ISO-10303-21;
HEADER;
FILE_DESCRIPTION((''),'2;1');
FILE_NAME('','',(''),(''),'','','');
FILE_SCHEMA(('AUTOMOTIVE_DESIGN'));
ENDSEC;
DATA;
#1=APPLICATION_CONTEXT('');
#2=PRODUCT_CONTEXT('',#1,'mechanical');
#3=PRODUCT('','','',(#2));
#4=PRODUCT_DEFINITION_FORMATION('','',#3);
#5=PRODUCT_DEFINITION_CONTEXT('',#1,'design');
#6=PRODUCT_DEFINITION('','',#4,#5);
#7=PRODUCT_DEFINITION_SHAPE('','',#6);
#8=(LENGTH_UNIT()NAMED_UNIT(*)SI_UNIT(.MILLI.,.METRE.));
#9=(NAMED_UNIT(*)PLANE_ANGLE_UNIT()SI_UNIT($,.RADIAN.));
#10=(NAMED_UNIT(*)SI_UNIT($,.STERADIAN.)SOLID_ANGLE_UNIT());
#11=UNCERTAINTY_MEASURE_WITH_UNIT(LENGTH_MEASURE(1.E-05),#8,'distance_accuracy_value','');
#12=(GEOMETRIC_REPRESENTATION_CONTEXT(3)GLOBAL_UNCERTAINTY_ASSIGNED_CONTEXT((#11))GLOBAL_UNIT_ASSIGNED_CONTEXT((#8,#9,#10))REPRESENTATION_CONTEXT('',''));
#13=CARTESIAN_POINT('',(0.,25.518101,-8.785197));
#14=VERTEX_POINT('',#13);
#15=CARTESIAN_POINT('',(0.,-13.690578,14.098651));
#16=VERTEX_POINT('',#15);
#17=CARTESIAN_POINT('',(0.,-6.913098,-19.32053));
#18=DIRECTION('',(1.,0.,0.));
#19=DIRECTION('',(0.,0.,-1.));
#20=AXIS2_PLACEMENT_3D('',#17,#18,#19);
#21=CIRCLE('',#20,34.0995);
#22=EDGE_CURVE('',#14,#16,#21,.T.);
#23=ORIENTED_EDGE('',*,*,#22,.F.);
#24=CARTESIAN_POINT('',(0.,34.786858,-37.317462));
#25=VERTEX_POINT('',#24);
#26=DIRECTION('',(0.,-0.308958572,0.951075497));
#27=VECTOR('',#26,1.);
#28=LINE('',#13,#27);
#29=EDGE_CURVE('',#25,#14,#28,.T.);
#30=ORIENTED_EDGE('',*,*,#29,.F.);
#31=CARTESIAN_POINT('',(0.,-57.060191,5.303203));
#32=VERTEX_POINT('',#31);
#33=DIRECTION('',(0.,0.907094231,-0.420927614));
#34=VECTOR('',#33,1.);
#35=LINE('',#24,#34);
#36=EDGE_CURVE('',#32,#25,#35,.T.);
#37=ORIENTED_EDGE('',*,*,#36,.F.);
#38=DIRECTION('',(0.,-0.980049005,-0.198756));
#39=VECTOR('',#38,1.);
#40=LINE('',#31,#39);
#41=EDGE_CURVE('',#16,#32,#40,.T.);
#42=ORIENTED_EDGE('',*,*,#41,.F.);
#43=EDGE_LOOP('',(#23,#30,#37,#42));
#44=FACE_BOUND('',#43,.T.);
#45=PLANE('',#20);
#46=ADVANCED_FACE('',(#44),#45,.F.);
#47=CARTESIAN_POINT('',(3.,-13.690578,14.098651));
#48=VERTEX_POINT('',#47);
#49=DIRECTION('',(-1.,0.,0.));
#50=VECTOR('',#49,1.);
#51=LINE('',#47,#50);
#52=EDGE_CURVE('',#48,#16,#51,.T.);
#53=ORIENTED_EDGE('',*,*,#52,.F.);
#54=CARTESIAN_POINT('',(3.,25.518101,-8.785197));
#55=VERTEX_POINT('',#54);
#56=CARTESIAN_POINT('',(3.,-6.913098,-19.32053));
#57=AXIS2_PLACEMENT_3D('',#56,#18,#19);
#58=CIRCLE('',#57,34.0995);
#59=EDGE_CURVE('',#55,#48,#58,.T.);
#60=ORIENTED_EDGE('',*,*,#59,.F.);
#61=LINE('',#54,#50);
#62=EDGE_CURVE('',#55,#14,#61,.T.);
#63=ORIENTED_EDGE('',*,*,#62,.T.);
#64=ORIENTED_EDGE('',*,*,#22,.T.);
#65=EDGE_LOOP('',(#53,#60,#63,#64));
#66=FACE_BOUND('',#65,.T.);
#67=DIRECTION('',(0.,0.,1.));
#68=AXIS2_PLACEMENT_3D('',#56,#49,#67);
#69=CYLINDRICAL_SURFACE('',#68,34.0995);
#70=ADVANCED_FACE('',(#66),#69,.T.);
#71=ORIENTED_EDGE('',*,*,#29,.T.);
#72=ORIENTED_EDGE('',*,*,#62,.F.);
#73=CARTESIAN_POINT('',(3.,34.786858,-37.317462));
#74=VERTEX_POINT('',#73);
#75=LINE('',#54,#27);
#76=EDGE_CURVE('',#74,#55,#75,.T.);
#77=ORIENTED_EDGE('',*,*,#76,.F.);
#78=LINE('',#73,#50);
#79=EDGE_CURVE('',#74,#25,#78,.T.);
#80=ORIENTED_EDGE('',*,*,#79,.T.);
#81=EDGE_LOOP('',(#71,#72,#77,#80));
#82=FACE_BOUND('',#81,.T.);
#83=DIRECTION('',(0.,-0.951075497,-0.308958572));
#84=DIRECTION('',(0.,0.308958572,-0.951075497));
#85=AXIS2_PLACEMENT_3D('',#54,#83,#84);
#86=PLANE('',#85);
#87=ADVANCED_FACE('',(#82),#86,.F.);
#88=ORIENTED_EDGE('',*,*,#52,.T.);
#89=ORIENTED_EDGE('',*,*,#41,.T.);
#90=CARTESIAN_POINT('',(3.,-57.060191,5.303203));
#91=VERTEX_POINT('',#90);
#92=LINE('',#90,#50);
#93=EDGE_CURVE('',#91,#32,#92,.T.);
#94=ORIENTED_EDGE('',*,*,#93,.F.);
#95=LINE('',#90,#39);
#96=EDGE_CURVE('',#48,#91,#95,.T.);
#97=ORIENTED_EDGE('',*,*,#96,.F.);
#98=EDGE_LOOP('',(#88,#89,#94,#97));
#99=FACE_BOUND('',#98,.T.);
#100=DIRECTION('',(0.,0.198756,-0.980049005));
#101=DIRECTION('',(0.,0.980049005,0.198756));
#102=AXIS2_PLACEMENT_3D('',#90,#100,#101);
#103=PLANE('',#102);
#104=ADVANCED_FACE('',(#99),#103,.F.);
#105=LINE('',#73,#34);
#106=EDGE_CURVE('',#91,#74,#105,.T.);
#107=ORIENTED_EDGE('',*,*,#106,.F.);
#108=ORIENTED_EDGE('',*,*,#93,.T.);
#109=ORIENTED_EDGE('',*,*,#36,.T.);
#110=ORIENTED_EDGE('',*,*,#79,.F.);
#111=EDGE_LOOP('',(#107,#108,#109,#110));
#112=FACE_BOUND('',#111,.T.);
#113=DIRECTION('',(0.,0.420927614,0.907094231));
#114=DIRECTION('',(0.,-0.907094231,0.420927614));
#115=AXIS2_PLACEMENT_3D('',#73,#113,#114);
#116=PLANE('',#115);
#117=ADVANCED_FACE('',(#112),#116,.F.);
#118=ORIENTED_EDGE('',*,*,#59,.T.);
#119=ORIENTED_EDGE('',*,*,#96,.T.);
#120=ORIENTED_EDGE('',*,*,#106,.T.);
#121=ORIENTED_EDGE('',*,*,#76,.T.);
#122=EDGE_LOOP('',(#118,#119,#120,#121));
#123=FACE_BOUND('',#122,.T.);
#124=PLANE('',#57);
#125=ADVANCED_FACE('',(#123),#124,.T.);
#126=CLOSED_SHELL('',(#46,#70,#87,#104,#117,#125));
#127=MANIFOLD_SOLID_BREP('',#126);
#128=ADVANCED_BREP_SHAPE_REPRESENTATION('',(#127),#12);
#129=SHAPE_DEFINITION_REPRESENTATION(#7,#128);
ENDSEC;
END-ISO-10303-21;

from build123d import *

# Parameters (mm, degrees)
SALIENTE_EXTRUIR1_DEPTH = 3


with BuildPart() as part:
    # Croquis1 → Saliente-Extruir1 (new body)
    with BuildSketch(Plane(origin=(0, 0, 0), x_dir=(0, 0, -1), z_dir=(1, 0, 0))):
        with BuildLine():
            Line((8.78519689, 25.518100679), (37.317461794, 34.786857846))
            Line((37.317461794, 34.786857846), (-5.303202755, -57.060190641))
            Line((-5.303202755, -57.060190641), (-14.098651329, -13.690578432))
            ThreePointArc((-14.098651329, -13.690578432), (-10.129936354, 10.27544296), (8.78519689, 25.518100679))
        make_face()
    extrude(amount=SALIENTE_EXTRUIR1_DEPTH)


solid = part.part
